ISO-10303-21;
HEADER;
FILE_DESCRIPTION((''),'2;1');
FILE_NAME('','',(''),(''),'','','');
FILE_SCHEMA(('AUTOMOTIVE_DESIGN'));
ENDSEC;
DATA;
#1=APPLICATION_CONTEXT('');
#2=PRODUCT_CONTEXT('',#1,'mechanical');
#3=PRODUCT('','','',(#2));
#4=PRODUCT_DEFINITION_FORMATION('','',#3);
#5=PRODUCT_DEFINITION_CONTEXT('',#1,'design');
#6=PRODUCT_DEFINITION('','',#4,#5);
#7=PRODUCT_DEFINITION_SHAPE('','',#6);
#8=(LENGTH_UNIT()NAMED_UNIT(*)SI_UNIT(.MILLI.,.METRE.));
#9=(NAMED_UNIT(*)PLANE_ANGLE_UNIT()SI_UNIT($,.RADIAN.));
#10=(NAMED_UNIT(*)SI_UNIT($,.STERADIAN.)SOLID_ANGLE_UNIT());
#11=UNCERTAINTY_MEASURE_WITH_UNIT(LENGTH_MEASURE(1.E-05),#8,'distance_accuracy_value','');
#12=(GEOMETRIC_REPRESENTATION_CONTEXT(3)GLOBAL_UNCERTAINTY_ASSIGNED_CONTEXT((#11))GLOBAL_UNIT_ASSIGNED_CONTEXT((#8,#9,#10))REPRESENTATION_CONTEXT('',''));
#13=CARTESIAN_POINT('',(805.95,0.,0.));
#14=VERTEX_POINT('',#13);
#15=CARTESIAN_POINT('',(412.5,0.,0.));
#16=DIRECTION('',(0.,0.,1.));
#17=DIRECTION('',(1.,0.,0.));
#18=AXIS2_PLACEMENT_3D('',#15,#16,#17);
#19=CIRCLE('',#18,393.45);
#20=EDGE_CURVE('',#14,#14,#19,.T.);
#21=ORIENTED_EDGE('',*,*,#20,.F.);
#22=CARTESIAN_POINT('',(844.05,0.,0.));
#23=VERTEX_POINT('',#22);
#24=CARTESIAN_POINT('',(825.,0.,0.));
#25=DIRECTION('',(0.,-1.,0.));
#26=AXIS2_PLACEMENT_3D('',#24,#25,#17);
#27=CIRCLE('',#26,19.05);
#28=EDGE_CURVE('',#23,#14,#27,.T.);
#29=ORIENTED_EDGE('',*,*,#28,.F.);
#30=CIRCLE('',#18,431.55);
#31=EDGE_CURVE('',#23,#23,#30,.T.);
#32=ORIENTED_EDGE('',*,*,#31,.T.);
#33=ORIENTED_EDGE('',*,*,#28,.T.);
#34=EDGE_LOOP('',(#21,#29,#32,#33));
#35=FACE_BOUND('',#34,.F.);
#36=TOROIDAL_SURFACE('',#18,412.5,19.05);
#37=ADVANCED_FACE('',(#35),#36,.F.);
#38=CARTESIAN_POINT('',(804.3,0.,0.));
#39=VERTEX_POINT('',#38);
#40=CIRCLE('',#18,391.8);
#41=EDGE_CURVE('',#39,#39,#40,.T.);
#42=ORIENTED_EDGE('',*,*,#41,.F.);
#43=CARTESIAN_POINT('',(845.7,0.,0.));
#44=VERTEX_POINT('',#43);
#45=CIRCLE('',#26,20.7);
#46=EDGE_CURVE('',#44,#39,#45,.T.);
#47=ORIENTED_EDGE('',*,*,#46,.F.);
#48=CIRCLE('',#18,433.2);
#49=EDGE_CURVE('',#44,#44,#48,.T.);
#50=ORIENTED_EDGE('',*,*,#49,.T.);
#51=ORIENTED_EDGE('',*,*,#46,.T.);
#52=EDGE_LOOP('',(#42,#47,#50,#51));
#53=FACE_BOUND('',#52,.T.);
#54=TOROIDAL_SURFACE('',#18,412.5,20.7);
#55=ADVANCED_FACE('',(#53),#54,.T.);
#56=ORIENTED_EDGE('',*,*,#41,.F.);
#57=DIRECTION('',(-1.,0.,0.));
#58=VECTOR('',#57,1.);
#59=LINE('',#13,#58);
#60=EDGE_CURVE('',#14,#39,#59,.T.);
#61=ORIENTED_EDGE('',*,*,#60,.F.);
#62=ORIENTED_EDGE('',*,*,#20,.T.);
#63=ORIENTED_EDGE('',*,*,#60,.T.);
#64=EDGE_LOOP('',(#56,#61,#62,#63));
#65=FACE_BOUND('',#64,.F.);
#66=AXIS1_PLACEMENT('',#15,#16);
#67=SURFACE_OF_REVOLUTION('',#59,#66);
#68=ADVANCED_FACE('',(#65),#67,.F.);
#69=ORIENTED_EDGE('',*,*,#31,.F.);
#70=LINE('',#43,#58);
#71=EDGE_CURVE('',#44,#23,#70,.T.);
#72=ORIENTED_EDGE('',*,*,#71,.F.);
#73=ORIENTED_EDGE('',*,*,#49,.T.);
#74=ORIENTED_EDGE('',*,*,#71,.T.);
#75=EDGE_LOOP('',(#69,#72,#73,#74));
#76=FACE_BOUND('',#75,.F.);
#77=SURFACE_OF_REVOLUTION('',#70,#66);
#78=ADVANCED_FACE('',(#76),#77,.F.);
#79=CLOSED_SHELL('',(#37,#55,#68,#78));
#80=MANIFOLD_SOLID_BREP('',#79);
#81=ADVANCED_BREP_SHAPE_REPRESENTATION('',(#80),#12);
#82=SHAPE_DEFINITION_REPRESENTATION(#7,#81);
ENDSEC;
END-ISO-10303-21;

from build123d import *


with BuildPart() as f2:
    # F2: sweep along a path in F1
    with BuildLine(Plane.XY) as f2_path:
        CenterArc((412.5, 0), 412.5, 0, 360)
    # F0 (on Front) → F2 (sweep)
    with BuildSketch(Plane.XZ):
        with BuildLine():
            ThreePointArc((-19.05, 0), (0, 19.05), (19.05, 0))
            Line((19.05, 0), (20.7, 0))
            ThreePointArc((20.7, 0), (0, 20.7), (-20.7, 0))
            Line((-20.7, 0), (-19.05, 0))
        make_face()
    sweep(path=f2_path.line)


solid = f2.part
